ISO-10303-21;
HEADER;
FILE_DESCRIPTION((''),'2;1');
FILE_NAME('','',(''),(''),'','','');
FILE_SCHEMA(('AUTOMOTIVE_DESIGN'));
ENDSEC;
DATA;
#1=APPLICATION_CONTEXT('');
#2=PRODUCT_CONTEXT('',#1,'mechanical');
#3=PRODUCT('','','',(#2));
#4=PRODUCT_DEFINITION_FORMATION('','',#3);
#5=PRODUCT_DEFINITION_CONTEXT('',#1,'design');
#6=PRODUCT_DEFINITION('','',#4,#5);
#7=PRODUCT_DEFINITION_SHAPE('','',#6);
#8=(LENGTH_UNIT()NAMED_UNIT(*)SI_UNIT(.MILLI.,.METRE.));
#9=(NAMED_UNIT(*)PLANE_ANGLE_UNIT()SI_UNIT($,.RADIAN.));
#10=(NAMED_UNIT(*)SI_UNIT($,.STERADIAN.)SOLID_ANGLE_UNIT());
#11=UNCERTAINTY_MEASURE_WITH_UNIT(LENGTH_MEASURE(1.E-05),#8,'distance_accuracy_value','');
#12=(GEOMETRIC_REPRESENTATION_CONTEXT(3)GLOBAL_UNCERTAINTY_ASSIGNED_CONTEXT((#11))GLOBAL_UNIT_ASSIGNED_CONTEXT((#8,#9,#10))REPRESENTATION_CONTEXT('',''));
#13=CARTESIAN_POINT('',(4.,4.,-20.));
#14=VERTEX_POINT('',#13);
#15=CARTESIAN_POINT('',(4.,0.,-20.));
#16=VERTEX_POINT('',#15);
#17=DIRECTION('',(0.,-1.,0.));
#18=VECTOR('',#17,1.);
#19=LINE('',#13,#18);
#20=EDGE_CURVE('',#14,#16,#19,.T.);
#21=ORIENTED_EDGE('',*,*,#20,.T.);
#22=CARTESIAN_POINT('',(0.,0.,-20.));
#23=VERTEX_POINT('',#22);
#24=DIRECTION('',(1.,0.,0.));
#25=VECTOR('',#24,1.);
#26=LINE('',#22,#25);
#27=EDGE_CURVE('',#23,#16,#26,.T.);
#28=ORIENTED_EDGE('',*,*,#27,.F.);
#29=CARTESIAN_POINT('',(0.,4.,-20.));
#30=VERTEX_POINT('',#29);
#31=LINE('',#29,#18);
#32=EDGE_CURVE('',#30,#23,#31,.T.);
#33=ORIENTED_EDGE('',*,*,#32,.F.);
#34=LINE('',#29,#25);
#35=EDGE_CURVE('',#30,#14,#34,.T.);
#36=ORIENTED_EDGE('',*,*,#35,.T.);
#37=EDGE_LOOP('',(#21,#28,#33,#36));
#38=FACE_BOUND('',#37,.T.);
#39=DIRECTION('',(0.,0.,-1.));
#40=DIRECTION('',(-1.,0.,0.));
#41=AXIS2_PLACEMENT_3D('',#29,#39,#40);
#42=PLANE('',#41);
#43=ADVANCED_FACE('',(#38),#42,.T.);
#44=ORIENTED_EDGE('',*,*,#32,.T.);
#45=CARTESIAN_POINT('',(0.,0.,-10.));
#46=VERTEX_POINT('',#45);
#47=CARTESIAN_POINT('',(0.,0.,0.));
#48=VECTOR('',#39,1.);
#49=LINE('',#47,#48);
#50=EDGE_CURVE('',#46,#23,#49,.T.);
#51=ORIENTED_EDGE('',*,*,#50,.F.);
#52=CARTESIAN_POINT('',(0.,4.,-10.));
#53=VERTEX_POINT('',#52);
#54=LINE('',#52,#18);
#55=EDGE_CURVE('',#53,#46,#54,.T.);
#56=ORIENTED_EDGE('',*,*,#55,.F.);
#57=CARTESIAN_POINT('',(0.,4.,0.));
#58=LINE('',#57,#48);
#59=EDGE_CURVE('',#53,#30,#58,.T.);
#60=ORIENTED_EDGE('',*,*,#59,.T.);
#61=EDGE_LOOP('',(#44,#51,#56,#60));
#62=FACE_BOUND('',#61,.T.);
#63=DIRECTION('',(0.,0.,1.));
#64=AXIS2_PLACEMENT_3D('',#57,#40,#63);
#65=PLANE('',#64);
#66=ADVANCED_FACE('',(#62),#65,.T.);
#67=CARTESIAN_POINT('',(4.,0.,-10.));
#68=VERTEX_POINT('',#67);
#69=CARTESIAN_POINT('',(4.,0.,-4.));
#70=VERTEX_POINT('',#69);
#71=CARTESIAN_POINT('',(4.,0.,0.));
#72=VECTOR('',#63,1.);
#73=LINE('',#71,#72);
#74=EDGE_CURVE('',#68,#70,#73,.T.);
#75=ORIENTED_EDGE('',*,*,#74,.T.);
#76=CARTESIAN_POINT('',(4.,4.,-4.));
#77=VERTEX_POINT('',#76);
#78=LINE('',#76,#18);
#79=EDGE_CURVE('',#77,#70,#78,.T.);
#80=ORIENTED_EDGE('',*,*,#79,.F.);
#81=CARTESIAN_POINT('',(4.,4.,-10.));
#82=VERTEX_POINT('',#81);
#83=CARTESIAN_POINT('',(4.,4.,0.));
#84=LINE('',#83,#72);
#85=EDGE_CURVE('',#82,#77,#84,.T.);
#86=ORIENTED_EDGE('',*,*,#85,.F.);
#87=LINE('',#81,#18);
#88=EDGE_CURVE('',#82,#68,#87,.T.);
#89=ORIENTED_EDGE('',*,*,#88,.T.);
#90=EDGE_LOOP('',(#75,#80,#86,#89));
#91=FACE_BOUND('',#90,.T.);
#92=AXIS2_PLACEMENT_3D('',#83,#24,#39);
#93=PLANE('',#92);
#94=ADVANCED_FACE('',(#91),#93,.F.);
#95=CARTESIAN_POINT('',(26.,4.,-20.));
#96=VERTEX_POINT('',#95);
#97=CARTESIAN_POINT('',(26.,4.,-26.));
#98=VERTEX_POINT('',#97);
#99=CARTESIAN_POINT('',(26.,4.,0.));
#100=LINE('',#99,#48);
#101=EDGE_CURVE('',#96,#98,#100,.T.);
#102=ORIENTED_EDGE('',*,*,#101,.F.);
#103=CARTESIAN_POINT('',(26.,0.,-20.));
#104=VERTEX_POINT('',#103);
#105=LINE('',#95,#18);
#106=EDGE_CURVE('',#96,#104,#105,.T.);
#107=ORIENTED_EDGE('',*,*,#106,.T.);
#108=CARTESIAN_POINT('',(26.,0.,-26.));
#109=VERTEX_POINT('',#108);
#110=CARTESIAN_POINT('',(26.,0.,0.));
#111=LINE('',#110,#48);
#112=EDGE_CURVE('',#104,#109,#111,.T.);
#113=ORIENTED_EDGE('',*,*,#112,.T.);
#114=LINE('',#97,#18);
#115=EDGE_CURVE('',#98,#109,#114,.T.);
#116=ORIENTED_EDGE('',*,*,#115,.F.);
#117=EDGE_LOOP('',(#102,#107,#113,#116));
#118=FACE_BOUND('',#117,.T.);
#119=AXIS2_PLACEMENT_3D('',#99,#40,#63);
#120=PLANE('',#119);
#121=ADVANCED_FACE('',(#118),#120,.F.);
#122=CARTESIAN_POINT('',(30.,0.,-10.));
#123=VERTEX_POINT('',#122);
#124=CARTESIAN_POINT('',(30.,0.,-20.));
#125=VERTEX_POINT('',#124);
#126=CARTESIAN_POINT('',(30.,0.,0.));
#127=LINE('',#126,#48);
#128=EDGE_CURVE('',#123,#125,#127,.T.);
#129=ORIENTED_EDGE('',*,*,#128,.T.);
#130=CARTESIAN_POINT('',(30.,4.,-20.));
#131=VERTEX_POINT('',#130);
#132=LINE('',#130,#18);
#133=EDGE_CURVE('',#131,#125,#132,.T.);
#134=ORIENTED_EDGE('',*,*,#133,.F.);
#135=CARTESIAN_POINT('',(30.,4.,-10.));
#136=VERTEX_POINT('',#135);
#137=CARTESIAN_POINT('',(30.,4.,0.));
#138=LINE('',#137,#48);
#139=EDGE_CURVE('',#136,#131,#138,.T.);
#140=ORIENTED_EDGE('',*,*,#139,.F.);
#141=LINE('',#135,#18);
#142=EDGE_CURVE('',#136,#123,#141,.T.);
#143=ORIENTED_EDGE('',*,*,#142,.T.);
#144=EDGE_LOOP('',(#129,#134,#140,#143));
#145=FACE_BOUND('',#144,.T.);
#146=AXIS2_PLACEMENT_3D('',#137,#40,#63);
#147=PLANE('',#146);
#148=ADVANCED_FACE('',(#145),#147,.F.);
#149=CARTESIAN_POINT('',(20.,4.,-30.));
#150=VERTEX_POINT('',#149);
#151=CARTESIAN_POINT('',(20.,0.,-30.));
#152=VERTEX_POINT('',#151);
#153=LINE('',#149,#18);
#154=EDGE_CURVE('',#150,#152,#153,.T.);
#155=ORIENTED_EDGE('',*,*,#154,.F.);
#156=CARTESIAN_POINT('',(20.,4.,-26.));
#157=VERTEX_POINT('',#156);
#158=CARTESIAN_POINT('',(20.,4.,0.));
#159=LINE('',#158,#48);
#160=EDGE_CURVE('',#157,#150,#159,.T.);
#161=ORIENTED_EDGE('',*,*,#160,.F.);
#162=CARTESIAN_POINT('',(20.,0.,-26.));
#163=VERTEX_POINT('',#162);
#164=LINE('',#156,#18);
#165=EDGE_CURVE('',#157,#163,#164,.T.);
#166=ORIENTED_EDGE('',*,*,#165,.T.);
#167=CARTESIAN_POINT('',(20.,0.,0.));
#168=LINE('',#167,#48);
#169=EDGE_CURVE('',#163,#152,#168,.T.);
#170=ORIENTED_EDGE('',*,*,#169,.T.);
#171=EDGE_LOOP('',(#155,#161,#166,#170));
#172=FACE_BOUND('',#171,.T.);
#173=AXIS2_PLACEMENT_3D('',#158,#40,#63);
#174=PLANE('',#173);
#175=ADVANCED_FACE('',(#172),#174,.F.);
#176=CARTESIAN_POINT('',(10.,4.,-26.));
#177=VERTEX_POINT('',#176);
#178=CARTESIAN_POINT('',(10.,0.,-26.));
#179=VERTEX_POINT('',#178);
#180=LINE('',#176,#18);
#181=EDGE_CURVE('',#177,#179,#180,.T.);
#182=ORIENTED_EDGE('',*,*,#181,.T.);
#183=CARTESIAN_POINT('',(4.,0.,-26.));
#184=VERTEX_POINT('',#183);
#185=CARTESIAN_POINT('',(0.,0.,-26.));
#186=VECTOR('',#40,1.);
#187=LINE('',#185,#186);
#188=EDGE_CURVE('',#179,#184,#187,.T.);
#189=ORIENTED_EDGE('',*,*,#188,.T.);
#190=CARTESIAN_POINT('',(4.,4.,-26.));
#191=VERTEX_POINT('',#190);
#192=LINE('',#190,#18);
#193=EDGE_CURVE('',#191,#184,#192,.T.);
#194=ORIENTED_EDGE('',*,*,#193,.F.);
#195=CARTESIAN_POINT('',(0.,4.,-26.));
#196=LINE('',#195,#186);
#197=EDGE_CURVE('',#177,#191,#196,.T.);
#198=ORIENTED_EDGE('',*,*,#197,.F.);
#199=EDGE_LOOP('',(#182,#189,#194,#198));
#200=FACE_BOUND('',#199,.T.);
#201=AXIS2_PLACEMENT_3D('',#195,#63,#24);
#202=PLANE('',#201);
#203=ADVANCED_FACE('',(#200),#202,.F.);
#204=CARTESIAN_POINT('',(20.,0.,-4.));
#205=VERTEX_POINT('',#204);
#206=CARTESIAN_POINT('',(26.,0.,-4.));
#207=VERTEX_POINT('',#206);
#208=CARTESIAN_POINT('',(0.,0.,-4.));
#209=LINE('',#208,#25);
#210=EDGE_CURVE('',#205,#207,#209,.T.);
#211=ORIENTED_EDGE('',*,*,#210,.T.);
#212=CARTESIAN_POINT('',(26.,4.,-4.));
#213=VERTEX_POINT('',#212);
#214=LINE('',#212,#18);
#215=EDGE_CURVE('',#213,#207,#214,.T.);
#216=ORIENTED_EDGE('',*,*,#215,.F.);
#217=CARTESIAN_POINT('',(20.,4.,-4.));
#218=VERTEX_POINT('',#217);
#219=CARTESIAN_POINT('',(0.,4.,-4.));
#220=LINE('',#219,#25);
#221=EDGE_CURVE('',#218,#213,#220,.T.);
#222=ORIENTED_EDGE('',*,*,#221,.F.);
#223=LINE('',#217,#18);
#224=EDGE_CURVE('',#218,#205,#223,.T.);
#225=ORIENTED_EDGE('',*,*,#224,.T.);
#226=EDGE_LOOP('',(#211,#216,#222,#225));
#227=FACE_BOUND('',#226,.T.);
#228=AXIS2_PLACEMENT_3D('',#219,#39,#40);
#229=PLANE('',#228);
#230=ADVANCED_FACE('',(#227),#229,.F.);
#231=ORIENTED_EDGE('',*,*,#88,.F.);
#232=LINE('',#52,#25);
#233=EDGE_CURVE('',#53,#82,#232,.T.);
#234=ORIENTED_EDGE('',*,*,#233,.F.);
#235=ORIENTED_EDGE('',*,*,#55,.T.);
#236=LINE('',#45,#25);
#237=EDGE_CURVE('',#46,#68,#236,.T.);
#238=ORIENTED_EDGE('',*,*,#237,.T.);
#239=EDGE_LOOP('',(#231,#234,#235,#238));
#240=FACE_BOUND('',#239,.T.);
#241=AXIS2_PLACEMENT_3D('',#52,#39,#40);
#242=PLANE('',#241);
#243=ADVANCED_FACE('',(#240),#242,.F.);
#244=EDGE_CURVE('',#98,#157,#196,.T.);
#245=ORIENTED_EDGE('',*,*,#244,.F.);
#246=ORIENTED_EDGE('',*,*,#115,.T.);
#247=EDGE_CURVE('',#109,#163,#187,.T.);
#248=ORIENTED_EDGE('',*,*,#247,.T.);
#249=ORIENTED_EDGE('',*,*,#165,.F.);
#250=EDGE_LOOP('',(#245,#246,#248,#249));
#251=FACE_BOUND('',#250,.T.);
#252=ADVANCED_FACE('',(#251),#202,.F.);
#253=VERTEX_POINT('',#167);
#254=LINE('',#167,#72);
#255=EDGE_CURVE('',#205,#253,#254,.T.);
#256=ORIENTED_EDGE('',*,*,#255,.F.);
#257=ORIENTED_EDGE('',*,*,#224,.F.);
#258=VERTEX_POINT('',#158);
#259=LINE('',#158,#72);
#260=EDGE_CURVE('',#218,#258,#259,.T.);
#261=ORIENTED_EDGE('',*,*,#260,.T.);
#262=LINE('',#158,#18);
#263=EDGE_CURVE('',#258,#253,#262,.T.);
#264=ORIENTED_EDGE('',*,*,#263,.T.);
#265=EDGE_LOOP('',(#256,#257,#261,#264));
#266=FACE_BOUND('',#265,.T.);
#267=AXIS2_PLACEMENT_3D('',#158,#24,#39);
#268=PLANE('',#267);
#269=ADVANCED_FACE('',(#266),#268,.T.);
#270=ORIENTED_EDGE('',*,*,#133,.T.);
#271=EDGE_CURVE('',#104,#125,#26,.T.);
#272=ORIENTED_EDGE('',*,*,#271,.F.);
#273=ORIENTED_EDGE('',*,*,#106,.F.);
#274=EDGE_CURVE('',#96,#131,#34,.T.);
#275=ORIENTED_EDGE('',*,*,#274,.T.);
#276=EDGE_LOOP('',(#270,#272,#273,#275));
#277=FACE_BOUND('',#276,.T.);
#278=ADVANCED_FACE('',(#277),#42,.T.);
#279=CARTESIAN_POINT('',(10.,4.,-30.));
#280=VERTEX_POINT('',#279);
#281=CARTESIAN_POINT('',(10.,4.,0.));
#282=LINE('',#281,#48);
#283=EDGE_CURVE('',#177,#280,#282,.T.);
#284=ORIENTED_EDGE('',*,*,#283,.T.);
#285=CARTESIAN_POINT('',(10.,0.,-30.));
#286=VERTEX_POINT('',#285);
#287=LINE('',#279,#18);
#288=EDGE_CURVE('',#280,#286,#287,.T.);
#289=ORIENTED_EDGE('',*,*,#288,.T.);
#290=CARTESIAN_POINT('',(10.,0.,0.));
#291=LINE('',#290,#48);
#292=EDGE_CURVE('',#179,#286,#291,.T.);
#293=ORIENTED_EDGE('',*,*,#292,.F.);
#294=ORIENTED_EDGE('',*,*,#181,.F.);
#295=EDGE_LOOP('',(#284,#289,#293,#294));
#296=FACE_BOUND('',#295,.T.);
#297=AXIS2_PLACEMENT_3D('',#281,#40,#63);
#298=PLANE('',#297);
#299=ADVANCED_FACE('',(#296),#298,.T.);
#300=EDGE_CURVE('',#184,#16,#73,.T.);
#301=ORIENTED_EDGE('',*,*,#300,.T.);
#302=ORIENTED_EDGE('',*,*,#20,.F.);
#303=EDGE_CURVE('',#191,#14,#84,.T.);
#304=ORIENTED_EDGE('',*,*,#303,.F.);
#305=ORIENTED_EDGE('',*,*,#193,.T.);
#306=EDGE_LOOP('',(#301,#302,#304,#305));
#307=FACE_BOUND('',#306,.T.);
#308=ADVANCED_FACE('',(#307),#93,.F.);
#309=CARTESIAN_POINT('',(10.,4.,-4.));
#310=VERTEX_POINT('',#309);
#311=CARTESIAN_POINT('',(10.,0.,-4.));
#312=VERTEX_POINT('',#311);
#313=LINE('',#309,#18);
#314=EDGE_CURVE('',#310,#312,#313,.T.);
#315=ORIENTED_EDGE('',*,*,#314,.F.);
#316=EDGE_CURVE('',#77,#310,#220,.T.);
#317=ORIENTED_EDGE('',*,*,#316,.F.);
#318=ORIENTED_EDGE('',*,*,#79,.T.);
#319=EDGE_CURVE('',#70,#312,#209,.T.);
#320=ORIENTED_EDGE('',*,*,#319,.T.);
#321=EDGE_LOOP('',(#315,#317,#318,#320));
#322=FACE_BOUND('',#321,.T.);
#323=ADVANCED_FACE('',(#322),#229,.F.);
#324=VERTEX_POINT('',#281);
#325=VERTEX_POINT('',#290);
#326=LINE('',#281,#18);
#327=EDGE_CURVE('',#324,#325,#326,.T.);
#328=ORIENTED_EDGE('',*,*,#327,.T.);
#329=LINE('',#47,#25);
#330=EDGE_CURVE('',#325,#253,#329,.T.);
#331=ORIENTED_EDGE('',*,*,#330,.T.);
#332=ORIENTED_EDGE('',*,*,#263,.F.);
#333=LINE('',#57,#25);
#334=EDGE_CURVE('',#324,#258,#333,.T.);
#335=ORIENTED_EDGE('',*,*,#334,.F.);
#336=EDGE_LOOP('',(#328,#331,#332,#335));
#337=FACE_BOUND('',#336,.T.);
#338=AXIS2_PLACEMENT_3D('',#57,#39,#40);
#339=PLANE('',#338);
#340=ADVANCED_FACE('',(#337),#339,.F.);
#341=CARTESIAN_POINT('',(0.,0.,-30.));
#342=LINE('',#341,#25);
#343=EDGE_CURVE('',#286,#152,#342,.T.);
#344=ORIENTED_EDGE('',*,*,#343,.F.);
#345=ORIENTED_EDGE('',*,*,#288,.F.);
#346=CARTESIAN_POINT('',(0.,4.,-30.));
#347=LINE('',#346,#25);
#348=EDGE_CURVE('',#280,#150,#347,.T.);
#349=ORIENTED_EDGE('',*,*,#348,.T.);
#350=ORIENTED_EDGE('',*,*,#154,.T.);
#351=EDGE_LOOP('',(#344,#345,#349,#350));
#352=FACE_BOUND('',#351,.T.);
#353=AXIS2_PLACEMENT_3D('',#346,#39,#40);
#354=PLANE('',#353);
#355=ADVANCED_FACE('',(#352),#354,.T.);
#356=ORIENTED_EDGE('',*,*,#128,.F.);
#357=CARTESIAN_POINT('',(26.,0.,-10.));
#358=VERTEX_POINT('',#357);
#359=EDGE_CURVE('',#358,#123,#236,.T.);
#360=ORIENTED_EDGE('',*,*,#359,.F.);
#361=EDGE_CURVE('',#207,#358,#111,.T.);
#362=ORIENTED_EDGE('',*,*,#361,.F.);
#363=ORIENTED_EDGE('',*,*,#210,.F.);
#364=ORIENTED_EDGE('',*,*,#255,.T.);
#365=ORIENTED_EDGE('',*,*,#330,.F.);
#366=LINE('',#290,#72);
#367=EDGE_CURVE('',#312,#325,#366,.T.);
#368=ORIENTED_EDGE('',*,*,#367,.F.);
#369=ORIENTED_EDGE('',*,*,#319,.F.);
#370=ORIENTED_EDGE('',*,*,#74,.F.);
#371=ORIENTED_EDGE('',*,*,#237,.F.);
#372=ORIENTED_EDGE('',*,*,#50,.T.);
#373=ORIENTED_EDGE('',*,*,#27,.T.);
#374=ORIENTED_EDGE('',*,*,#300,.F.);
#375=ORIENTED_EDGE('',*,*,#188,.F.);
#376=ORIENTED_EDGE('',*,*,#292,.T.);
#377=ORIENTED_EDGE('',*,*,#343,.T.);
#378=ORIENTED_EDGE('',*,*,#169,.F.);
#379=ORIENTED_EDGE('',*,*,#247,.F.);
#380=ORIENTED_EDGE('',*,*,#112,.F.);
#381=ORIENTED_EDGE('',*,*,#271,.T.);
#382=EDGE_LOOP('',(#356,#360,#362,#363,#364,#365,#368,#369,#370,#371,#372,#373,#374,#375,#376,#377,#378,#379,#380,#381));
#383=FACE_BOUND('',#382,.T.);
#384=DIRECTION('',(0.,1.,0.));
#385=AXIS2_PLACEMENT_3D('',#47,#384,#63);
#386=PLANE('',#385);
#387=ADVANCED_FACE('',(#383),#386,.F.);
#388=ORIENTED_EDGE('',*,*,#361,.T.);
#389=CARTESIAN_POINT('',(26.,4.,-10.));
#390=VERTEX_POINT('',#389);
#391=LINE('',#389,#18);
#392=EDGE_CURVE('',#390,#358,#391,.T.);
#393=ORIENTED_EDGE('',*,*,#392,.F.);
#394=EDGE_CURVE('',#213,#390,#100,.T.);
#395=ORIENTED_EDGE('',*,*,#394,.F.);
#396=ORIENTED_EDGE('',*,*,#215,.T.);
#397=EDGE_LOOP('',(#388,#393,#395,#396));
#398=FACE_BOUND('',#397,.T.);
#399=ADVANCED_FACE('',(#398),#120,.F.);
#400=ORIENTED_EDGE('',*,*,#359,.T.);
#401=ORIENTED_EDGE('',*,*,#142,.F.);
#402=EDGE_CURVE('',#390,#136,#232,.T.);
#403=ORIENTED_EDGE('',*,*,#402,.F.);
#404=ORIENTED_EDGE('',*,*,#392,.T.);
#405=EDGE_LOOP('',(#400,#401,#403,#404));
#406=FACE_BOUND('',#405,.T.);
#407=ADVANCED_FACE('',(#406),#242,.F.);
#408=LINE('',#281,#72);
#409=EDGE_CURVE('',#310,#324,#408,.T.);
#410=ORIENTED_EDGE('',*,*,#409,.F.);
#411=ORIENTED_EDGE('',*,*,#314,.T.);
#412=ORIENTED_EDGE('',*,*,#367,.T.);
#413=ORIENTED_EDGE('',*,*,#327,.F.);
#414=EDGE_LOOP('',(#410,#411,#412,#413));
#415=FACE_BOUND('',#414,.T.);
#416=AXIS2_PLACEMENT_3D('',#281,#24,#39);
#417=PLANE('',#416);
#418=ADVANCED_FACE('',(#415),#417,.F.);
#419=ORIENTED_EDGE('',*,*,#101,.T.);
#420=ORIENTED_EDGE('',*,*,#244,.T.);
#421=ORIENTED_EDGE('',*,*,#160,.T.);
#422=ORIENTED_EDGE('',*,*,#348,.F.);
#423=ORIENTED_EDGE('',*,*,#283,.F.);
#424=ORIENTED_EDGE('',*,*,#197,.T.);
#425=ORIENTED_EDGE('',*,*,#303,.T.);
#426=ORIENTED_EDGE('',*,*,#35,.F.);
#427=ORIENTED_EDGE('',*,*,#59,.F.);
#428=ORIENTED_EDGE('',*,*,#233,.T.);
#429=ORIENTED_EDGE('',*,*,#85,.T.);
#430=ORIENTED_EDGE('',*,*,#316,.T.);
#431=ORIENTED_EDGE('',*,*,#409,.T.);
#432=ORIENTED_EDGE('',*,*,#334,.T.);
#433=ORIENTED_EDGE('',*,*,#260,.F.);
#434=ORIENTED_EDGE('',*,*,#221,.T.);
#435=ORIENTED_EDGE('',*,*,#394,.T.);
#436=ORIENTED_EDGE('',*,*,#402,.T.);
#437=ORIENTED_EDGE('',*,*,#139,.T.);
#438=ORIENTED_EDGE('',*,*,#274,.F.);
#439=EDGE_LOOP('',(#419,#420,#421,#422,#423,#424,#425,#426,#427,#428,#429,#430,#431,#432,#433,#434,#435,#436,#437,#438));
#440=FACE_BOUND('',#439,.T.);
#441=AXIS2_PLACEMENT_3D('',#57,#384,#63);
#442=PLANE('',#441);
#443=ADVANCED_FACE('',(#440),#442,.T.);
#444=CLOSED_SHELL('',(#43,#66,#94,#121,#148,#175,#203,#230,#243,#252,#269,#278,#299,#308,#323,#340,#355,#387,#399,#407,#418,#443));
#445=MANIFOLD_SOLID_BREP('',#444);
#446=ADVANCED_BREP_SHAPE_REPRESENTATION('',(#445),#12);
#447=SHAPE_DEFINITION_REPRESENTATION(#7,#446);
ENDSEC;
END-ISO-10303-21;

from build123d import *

# Parameters (mm, degrees)
SKETCH1_W           = 10
SKETCH1_H           = 4
SKETCH1_W_2         = 4
SKETCH1_H_2         = 10
BOSS_EXTRUDE1_DEPTH = 4


with BuildPart() as part:
    # Sketch1 → Boss-Extrude1 (new body)
    with BuildSketch(Plane(origin=(0, 0, 0), x_dir=(1, 0, 0), z_dir=(0, 1, 0))):
        Polygon((4, 10), (4, 4), (10, 4), (20, 4), (26, 4), (26, 10), (26, 20), (26, 26), (20, 26), (10, 26), (4, 26), (4, 20), align=None)
        with Locations((15, 2)):
            Rectangle(SKETCH1_W, SKETCH1_H)
        with Locations((28, 15)):
            Rectangle(SKETCH1_W_2, SKETCH1_H_2)
        with Locations((15, 28)):
            Rectangle(SKETCH1_W, SKETCH1_H)
        with Locations((2, 15)):
            Rectangle(SKETCH1_W_2, SKETCH1_H_2)
    extrude(amount=BOSS_EXTRUDE1_DEPTH)


solid = part.part
